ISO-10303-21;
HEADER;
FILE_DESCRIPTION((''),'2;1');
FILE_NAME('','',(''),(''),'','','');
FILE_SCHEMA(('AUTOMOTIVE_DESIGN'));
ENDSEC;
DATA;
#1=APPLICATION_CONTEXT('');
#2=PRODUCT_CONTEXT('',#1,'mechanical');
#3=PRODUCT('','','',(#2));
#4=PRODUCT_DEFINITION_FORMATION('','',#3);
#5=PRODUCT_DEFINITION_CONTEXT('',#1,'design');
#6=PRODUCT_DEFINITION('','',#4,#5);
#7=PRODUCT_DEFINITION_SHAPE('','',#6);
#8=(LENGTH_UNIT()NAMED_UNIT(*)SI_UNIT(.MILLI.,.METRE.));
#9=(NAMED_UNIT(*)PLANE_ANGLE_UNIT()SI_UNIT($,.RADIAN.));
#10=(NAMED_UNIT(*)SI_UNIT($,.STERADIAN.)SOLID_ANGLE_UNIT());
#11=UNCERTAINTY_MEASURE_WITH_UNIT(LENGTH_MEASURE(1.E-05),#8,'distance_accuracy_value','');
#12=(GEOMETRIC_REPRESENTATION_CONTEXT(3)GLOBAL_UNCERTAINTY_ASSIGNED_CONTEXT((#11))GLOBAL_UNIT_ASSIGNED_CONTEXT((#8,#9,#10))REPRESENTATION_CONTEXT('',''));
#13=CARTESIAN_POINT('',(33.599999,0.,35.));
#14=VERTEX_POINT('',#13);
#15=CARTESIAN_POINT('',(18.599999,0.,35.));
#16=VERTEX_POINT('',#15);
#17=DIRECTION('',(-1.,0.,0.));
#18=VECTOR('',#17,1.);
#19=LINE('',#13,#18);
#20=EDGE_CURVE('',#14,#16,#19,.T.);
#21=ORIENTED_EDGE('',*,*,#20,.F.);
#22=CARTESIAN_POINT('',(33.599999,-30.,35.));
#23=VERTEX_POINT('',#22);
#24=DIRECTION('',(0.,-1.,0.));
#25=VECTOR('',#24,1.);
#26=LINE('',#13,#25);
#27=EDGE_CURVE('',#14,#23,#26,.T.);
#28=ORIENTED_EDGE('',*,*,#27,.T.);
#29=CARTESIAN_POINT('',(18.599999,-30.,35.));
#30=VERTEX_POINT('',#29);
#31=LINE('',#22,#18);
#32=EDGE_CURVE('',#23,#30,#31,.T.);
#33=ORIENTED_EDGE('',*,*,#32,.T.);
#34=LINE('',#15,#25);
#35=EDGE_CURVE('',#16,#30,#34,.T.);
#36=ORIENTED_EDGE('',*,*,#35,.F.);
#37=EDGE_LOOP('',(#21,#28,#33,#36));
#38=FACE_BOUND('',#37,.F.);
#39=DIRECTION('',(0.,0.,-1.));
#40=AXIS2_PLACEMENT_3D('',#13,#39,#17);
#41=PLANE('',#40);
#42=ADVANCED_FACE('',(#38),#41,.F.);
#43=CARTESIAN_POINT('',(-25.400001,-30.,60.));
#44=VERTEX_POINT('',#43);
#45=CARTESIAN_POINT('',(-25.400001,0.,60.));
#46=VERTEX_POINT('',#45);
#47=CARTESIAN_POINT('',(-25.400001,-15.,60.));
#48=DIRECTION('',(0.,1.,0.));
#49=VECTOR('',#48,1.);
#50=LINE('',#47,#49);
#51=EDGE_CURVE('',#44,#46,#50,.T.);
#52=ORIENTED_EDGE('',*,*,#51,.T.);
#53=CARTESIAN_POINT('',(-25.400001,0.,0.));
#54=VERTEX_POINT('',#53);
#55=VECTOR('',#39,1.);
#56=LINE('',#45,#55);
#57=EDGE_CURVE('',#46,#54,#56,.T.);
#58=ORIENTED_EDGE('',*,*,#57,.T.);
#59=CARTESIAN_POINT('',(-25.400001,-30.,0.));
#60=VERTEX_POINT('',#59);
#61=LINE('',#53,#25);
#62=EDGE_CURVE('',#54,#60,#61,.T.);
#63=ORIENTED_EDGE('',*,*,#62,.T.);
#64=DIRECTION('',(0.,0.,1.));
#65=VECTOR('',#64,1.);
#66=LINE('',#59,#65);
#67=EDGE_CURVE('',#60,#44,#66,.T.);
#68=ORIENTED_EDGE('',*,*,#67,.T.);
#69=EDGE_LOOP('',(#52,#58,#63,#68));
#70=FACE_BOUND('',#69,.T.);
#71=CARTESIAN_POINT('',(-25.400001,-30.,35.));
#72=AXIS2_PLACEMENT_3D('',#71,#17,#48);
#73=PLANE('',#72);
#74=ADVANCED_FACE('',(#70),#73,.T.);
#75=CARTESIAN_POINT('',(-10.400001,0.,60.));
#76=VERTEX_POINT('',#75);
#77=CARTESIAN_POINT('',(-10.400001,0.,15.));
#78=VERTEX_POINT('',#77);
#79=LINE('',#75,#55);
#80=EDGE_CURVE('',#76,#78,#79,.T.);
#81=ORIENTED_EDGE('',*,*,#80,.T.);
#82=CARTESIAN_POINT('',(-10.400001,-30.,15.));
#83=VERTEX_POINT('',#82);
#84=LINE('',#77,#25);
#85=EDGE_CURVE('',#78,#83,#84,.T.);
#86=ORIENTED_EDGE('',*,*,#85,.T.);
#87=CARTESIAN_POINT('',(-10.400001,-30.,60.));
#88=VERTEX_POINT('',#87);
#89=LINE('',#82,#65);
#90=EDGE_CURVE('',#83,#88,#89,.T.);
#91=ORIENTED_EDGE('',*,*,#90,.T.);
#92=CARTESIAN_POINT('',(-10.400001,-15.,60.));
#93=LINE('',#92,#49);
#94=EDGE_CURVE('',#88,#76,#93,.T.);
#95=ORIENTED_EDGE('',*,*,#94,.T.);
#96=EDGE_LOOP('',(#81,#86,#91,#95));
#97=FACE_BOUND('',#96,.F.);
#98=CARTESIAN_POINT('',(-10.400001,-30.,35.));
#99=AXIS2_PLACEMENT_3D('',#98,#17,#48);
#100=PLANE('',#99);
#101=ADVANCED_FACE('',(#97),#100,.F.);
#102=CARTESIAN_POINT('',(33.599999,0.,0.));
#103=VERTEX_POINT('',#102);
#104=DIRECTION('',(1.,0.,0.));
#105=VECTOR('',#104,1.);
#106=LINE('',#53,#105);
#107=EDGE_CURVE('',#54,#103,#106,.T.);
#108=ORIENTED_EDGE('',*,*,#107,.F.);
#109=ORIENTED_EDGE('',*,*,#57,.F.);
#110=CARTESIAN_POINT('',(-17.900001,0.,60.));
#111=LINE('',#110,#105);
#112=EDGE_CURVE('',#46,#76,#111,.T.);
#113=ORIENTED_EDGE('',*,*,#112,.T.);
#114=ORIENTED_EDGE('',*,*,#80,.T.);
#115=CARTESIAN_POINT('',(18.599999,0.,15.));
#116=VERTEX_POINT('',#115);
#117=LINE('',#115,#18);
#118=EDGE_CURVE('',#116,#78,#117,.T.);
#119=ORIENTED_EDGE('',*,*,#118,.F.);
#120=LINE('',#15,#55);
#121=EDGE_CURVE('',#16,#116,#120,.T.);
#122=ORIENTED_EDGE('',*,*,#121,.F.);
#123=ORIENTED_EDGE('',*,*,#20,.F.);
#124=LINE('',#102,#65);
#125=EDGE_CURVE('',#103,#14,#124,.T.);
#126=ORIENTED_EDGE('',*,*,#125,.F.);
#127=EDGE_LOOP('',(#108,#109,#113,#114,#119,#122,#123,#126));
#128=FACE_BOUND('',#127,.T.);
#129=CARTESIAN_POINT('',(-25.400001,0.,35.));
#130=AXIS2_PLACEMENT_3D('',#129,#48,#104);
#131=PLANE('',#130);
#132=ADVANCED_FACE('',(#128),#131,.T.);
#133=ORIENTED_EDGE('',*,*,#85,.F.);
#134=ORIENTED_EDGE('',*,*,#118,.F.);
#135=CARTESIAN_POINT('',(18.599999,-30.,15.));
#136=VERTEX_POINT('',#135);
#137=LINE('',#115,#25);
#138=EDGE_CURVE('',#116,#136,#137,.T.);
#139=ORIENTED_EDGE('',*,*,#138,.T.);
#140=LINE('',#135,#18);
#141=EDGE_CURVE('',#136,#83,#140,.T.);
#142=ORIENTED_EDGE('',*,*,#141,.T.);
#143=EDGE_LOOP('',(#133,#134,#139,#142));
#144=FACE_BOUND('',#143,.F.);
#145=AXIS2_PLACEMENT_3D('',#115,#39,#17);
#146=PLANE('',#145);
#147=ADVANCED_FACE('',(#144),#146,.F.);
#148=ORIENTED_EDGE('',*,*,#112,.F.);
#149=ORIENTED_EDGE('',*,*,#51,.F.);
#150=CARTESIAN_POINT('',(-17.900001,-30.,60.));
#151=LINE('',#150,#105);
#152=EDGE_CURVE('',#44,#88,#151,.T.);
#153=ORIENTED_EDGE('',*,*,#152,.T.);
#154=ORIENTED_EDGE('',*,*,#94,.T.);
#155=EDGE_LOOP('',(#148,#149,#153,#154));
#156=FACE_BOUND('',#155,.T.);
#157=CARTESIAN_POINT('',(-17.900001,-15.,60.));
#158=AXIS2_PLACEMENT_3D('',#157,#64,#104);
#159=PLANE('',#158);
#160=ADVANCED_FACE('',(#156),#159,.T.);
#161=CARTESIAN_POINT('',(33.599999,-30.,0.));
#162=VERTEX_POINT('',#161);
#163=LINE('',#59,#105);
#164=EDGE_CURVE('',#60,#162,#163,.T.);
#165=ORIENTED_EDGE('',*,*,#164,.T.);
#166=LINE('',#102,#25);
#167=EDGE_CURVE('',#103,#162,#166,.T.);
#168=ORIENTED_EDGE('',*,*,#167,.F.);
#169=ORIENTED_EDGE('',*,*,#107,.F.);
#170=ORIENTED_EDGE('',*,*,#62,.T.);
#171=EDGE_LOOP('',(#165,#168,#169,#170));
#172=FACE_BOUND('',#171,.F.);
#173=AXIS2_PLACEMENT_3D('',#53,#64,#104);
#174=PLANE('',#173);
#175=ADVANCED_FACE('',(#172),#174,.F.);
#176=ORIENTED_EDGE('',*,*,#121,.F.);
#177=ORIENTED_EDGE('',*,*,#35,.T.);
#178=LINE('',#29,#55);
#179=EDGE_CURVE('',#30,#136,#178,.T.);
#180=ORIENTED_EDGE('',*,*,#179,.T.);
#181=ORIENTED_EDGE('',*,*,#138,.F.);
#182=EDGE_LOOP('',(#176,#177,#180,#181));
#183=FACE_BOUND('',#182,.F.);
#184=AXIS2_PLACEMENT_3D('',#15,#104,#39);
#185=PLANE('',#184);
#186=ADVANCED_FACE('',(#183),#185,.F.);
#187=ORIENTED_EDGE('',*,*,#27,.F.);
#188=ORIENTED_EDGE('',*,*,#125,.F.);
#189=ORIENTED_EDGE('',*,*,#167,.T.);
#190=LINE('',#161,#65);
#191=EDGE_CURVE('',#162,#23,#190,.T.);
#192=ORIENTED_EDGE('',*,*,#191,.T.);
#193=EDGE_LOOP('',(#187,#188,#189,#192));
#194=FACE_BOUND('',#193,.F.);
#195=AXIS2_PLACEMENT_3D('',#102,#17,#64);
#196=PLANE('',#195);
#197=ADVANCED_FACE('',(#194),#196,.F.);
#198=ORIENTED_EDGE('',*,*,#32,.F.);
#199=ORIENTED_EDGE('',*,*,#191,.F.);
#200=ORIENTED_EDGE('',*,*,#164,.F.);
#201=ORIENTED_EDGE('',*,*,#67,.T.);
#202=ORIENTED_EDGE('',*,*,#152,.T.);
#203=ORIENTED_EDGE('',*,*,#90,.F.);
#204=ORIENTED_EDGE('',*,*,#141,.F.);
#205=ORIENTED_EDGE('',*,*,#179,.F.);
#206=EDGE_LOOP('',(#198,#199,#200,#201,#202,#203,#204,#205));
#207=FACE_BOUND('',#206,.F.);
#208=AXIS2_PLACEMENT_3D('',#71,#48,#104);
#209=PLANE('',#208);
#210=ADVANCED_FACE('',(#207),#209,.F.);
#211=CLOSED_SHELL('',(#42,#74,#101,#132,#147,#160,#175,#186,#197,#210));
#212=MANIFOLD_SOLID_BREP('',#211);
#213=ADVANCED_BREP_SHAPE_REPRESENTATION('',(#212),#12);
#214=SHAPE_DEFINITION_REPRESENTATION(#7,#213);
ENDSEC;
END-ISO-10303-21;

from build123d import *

# Parameters (mm, degrees)
F1_DEPTH  = 30
F1_FACE_W = 15
F1_FACE_H = 30
F2_DEPTH  = 25


with BuildPart() as f1:
    # F0 (on Front) → F1 (new body)
    with BuildSketch(Plane.XZ):
        Polygon((-25.400001, 0), (33.599999, 0), (33.599999, 35), (18.599999, 35), (18.599999, 15), (-10.400001, 15), (-10.400001, 35), (-25.400001, 35), align=None)
    extrude(amount=F1_DEPTH)

    # F1_face (on face) → F2 (join)
    with BuildSketch(Plane(origin=(-17.900001, -15, 35), x_dir=(1, 0, 0), z_dir=(0, 0, 1))):
        Rectangle(F1_FACE_W, F1_FACE_H)
    extrude(amount=F2_DEPTH)


solid = f1.part
